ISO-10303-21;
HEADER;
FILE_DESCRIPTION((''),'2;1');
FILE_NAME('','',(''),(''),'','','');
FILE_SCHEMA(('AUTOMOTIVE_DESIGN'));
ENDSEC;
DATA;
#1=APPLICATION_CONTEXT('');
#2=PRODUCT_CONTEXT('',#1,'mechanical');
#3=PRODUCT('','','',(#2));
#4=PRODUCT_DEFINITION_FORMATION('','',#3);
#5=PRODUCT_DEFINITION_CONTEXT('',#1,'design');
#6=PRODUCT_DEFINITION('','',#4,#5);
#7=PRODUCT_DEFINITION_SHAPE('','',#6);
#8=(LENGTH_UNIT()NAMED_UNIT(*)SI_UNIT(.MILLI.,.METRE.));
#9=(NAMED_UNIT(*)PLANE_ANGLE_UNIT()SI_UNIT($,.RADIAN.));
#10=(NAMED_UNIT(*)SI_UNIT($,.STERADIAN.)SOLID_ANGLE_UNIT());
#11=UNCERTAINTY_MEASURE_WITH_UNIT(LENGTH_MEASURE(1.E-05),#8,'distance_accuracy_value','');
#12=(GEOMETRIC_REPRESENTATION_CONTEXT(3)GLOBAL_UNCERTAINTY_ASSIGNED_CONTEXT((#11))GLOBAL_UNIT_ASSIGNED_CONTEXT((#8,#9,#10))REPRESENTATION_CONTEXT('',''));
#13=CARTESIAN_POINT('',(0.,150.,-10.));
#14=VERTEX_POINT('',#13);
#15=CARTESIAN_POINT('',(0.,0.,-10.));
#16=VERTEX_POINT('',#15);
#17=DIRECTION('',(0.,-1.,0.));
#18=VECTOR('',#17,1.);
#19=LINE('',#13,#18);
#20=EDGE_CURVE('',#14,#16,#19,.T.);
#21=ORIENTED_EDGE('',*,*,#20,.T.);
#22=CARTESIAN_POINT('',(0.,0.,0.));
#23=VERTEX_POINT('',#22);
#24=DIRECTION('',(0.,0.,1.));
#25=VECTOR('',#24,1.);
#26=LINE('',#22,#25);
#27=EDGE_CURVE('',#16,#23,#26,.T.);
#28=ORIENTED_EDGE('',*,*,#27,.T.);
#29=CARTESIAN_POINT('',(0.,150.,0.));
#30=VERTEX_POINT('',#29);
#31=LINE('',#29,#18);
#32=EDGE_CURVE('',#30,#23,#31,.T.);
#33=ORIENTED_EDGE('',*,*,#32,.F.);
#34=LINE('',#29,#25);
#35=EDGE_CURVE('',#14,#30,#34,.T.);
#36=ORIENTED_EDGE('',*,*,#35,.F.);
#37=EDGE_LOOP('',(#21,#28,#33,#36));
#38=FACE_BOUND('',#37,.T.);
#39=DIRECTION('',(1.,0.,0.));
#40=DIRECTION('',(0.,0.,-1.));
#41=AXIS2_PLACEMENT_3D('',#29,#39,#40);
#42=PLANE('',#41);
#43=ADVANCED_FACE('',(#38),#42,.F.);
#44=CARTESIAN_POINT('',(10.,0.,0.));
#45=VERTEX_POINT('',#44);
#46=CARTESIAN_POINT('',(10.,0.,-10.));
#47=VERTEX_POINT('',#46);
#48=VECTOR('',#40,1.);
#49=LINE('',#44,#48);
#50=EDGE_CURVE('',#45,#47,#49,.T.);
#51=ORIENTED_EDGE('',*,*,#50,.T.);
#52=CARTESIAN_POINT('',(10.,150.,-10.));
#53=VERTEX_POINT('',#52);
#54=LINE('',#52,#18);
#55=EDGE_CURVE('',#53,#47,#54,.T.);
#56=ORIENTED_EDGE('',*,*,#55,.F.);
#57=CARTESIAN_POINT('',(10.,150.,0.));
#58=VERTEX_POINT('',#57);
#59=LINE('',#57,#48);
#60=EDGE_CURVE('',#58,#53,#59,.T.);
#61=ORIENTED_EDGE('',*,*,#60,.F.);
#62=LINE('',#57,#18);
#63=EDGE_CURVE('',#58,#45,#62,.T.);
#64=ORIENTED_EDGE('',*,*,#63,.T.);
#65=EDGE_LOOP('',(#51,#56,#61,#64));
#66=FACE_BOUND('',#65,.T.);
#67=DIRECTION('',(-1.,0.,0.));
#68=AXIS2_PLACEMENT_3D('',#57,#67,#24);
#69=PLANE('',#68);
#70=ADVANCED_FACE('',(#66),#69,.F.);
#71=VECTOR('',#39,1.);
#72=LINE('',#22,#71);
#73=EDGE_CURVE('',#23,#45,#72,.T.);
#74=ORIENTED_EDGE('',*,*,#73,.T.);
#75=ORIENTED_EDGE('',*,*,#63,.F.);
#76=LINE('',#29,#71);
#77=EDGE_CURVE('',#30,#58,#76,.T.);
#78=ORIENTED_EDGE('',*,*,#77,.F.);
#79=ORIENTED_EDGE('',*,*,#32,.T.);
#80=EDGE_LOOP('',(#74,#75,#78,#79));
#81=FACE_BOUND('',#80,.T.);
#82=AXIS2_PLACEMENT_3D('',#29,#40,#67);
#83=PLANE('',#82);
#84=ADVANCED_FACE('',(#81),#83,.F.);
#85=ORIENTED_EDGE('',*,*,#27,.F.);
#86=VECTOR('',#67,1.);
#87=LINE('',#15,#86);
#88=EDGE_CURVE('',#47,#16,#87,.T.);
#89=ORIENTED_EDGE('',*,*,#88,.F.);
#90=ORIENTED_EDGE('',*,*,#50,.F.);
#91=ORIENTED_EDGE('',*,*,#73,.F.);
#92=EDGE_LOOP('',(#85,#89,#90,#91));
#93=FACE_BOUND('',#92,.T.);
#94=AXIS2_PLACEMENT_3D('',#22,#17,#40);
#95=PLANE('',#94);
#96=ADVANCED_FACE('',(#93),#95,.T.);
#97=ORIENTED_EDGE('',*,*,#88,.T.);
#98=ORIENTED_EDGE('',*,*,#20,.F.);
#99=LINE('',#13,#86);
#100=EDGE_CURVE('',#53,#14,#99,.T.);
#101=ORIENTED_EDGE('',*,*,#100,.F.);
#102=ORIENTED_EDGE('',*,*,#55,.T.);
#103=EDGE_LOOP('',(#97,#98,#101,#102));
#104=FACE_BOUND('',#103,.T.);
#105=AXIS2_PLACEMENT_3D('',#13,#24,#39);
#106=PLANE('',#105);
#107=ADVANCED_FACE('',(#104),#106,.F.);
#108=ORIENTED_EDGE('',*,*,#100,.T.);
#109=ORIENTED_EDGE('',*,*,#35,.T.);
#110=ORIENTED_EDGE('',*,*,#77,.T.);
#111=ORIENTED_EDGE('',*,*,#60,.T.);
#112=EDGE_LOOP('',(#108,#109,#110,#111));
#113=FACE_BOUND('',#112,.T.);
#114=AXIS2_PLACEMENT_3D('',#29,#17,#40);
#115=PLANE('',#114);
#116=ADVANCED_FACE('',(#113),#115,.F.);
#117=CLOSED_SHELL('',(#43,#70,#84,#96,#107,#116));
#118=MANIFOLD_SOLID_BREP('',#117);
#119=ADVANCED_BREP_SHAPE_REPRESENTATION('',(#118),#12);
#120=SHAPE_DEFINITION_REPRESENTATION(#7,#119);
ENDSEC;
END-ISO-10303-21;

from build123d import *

# Parameters (mm, degrees)
ESQUISSE1_W        = 10
ESQUISSE1_H        = 10
BOSS_EXTRU_1_DEPTH = 150


with BuildPart() as part:
    # Esquisse1 → Boss.-Extru.1 (new body)
    with BuildSketch(Plane(origin=(0, 0, 0), x_dir=(1, 0, 0), z_dir=(0, 1, 0))):
        with Locations((5, 5)):
            Rectangle(ESQUISSE1_W, ESQUISSE1_H)
    extrude(amount=BOSS_EXTRU_1_DEPTH)


solid = part.part
